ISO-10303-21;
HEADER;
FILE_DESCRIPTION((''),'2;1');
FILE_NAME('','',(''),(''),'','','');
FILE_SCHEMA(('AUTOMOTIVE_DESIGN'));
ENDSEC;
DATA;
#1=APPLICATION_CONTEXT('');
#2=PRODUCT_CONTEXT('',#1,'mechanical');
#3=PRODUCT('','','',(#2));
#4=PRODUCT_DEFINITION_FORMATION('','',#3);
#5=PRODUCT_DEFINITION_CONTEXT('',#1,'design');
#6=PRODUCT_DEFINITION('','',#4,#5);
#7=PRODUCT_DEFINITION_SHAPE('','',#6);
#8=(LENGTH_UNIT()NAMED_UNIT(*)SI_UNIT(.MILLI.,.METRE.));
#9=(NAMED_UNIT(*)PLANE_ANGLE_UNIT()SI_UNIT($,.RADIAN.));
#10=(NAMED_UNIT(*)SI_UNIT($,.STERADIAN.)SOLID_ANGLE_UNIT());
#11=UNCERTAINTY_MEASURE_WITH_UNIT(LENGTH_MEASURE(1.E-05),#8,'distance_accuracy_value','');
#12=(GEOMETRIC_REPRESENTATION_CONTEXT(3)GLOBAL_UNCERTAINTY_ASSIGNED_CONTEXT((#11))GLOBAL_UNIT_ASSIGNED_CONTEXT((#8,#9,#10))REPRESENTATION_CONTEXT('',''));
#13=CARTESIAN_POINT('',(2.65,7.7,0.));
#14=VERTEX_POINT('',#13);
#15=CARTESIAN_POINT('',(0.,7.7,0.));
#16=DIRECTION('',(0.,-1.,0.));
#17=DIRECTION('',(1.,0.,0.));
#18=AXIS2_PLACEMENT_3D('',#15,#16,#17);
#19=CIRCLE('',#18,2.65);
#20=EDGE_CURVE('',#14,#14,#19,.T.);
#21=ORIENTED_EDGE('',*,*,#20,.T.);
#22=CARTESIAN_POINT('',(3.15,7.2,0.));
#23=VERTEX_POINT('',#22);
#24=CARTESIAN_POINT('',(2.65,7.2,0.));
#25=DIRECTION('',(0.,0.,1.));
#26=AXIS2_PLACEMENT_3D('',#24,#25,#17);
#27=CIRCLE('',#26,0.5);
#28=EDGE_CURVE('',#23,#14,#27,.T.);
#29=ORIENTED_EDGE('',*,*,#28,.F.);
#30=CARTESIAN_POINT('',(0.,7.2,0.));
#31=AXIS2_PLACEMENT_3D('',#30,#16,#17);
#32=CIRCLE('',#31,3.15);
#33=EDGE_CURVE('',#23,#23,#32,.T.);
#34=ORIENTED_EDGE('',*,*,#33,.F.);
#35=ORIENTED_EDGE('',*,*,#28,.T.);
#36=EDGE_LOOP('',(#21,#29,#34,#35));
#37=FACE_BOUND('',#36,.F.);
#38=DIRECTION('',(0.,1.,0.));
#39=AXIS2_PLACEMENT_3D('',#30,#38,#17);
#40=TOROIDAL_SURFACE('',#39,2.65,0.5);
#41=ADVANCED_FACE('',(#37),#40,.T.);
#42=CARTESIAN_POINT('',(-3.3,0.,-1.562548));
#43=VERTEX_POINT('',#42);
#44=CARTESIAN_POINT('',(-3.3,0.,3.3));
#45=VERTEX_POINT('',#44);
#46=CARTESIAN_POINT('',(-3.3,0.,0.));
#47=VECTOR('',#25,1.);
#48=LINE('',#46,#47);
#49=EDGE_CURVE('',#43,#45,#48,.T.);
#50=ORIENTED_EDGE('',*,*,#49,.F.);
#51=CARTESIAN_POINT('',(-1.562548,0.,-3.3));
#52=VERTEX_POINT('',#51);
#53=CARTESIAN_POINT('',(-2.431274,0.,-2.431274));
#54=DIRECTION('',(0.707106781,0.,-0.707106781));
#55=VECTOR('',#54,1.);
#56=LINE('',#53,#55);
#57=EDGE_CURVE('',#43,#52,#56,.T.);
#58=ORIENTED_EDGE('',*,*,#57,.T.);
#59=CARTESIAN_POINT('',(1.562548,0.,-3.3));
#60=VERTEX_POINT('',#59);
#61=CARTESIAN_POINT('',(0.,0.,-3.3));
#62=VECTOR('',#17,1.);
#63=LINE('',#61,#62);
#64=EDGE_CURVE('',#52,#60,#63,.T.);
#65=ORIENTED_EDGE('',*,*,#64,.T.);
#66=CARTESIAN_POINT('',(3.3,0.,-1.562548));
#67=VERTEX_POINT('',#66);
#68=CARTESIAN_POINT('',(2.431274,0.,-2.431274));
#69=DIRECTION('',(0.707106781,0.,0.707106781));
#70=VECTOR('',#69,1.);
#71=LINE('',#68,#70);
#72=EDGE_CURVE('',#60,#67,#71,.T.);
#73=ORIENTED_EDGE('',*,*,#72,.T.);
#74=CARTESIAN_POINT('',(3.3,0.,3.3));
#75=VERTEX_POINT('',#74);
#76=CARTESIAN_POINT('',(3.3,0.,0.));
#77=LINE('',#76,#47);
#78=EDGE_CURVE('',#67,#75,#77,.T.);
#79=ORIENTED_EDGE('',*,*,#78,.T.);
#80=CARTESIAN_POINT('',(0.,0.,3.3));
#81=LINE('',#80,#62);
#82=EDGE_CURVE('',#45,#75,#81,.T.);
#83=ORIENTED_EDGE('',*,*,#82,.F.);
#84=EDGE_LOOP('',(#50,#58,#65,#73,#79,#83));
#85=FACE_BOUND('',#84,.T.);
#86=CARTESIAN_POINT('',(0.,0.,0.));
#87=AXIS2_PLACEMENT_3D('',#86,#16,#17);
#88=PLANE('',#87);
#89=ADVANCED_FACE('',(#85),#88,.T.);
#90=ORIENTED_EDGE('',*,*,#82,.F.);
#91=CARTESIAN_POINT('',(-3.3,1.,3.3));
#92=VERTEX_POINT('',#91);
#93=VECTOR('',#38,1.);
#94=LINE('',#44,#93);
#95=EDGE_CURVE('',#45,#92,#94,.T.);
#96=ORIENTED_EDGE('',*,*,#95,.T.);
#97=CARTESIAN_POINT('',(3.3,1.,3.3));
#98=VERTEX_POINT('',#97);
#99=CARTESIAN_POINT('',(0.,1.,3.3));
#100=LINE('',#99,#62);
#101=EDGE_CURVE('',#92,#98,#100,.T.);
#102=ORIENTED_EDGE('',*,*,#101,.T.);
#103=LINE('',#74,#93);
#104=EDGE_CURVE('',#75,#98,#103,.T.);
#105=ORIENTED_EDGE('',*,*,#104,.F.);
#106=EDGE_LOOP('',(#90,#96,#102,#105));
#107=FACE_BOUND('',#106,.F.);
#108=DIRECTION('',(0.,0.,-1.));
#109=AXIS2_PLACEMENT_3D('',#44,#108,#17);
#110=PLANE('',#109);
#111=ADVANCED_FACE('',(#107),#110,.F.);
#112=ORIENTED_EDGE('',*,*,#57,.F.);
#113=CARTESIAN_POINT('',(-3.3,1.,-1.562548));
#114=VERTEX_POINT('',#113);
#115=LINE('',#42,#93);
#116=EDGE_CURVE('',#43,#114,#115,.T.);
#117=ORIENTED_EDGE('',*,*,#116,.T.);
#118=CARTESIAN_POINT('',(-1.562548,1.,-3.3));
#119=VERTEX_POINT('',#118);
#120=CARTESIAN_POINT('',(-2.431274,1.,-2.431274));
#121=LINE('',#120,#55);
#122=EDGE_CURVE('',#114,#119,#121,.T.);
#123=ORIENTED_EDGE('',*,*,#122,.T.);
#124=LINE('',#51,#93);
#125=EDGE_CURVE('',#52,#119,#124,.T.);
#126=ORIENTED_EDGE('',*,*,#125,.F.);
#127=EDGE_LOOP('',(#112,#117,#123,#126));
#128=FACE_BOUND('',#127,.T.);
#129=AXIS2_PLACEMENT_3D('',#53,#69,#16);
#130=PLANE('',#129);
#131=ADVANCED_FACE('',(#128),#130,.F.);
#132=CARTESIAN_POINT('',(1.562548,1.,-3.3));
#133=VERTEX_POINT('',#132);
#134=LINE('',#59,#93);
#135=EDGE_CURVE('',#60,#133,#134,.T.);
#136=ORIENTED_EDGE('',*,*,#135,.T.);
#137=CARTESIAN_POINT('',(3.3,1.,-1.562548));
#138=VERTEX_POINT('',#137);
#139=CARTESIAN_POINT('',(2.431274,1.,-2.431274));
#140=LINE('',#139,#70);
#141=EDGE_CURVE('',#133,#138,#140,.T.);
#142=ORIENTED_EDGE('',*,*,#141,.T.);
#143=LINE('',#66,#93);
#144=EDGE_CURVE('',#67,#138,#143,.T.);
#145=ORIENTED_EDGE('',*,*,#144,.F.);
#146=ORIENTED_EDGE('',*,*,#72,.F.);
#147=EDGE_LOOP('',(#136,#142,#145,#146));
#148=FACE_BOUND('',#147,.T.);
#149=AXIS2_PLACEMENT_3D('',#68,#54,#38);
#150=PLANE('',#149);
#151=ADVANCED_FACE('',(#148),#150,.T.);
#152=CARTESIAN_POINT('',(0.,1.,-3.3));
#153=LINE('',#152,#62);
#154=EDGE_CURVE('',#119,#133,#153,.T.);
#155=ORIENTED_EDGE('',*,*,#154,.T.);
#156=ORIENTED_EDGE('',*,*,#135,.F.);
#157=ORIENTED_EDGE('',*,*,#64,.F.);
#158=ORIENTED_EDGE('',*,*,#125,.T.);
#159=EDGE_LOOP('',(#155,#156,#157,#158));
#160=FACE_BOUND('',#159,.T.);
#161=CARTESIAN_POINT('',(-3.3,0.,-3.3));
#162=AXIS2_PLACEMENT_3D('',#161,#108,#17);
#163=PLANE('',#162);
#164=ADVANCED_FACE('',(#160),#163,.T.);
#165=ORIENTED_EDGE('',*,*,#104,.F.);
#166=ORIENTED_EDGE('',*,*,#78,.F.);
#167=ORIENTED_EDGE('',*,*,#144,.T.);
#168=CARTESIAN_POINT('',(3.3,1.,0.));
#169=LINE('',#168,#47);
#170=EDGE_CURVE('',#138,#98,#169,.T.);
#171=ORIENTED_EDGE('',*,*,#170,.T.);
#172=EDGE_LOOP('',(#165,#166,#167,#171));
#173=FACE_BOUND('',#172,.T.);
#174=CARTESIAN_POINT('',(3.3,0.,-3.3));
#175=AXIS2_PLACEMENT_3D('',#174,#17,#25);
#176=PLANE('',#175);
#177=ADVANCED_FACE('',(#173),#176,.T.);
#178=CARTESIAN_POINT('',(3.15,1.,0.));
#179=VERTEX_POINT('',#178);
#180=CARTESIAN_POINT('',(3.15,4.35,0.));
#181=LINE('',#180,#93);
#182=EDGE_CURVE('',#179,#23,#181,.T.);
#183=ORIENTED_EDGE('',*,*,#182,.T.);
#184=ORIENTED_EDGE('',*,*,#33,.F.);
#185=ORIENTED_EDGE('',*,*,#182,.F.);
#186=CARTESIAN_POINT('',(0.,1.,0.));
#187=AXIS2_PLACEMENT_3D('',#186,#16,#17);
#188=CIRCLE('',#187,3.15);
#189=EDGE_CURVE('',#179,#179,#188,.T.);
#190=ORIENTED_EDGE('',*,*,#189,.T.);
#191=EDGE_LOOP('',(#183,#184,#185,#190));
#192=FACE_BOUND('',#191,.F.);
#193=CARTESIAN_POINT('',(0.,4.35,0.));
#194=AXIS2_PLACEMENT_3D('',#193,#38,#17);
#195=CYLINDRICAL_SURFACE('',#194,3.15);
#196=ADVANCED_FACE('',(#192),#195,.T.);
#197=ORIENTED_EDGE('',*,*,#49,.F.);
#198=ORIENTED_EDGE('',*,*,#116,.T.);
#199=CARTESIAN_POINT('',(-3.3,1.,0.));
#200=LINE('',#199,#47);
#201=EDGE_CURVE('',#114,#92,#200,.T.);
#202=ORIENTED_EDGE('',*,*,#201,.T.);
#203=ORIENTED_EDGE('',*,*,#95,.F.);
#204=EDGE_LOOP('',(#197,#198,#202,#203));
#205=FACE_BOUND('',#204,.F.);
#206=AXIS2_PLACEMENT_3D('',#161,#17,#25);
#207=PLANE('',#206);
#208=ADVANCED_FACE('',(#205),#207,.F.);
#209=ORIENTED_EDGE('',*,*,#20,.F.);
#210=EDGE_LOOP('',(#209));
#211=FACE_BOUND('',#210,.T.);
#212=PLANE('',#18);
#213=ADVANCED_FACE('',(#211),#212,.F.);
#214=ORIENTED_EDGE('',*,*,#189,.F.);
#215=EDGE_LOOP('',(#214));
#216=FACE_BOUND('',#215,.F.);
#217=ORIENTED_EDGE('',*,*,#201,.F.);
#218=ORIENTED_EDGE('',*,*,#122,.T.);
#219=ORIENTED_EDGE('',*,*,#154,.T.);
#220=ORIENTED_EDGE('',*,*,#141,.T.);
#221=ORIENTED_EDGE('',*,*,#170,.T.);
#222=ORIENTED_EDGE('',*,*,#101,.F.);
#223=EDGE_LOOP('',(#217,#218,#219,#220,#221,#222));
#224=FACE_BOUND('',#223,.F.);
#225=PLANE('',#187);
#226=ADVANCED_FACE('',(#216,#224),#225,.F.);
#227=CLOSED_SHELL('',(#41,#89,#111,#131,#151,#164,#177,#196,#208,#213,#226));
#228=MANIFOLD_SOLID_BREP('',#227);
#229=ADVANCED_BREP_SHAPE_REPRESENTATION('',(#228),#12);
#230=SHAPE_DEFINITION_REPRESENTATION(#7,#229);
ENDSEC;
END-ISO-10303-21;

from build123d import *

# Parameters (mm, degrees)
ESBO_O1_W                = 6.6
ESBO_O1_H                = 6.6
RESSALTO_EXTRUS_O1_DEPTH = 1
ESBO_O2_W                = 3.15
ESBO_O2_H                = 6.7
CHANFRO1_SIZE            = 1.737451731
FILETE1_R                = 0.5


with BuildPart() as part:
    # Esboço1 → Ressalto-extrusão1 (new body)
    with BuildSketch(Plane.XZ):
        Rectangle(ESBO_O1_W, ESBO_O1_H)
    extrude(amount=-RESSALTO_EXTRUS_O1_DEPTH)

    # Esboço2 → Revolução1 (revolve)
    with BuildSketch(Plane.XY):
        with Locations((1.575, 4.35)):
            Rectangle(ESBO_O2_W, ESBO_O2_H)
    revolve(axis=Axis((0, 7.7, 0), (0, -1, 0)))

    # Chanfro1
    chanfro1_edges = [part.edges().sort_by_distance(p)[0] for p in [
        (3.3, 0.5, -3.3),
        (-3.3, 0.5, -3.3),
    ]]
    chamfer(chanfro1_edges, length=CHANFRO1_SIZE)

    # Filete1
    filete1_edges = [part.edges().sort_by_distance(p)[0] for p in [
        (-3.15, 7.7, 0),
    ]]
    fillet(filete1_edges, radius=FILETE1_R)


solid = part.part
